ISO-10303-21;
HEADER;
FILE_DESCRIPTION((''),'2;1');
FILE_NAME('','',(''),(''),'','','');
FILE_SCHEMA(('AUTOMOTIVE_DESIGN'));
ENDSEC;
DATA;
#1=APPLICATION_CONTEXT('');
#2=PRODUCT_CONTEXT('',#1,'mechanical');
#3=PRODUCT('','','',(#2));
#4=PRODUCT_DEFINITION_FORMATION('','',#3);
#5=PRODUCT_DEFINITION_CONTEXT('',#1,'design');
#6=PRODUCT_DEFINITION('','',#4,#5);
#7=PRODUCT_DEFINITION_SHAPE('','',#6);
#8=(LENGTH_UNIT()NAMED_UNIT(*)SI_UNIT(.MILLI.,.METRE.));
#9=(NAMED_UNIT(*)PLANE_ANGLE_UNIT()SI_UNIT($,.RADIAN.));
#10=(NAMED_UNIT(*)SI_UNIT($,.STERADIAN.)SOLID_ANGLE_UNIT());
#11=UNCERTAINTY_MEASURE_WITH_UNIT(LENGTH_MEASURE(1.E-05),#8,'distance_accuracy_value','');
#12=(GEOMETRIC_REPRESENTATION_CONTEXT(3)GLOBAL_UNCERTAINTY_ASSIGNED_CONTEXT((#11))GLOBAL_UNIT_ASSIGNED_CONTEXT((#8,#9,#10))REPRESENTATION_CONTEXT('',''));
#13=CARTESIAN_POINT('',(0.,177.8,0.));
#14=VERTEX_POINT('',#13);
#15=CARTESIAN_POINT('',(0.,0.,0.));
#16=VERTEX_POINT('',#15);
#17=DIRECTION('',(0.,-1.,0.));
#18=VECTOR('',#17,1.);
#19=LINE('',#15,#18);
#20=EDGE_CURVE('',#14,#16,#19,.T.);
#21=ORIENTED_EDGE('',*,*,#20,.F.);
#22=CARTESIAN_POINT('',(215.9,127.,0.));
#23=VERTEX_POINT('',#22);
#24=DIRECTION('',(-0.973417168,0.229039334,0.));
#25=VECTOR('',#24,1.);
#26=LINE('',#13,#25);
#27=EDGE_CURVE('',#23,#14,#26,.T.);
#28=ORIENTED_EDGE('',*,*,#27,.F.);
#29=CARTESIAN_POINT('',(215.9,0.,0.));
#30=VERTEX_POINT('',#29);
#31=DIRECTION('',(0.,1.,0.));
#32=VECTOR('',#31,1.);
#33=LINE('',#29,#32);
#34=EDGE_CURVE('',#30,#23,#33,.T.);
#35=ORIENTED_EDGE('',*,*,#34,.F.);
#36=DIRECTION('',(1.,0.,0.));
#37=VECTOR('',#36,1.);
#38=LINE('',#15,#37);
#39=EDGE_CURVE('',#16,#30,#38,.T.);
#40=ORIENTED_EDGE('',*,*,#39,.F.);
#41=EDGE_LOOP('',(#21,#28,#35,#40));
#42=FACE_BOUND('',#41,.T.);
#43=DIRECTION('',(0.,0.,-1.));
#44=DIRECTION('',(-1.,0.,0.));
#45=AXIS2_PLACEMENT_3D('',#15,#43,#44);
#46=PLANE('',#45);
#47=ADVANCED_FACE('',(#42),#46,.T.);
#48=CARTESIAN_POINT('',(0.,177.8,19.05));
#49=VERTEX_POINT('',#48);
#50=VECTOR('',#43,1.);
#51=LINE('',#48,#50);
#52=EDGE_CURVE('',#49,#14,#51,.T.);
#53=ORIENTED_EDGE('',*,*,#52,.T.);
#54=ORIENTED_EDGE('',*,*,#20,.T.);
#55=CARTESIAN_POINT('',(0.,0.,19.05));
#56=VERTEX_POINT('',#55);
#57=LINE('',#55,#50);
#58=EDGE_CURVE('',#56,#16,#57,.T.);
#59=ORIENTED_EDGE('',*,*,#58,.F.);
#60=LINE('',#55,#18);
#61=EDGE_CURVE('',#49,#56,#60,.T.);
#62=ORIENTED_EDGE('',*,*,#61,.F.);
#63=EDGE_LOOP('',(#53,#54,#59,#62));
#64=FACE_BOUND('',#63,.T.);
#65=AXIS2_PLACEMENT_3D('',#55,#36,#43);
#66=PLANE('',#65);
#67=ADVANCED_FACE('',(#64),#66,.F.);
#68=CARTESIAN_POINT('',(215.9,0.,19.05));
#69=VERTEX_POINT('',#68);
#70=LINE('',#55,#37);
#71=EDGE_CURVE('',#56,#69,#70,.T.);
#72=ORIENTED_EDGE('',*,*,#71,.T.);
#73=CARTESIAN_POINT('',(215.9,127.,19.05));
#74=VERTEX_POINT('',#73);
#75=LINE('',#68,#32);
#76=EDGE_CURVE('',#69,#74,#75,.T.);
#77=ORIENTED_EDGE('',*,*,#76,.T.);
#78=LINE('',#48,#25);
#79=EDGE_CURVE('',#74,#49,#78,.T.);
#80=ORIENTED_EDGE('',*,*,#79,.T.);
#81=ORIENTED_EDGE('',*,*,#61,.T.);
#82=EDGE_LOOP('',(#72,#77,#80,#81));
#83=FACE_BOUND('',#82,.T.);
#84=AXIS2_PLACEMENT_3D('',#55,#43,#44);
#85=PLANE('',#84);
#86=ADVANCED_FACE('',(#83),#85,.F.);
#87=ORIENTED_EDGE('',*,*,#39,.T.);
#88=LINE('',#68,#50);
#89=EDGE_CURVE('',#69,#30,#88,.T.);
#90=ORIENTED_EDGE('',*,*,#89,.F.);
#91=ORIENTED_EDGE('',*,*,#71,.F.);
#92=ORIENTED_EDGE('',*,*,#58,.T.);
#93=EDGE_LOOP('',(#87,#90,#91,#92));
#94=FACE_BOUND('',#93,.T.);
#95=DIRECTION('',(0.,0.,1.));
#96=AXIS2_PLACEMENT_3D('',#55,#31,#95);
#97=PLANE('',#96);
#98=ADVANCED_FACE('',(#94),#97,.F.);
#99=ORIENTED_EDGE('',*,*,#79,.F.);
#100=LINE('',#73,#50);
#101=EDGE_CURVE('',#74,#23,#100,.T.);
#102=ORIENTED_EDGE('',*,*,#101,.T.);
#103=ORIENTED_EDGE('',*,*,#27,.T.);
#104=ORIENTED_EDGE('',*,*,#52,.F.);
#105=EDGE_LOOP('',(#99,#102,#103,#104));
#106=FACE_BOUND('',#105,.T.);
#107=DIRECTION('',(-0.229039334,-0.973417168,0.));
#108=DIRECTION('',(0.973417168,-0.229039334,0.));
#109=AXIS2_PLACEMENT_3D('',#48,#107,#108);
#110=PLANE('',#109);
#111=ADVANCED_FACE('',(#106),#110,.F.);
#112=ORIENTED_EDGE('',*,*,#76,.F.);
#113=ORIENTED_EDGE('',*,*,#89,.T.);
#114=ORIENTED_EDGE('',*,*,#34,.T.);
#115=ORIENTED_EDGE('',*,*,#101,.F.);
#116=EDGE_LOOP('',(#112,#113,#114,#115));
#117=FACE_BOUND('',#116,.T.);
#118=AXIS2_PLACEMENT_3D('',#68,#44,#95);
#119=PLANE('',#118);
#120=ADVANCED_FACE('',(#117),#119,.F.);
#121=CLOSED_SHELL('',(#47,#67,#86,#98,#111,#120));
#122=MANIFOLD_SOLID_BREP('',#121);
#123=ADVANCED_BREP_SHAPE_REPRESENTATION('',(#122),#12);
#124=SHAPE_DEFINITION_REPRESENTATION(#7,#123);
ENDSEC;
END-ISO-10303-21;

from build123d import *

# Parameters (mm, degrees)
BOSS_EXTRUDE1_DEPTH = 19.05


with BuildPart() as part:
    # Sketch1 → Boss-Extrude1 (new body)
    with BuildSketch(Plane.XY):
        Polygon((0, 0), (215.9, 0), (215.9, 127), (0, 177.8), align=None)
    extrude(amount=BOSS_EXTRUDE1_DEPTH)


solid = part.part
